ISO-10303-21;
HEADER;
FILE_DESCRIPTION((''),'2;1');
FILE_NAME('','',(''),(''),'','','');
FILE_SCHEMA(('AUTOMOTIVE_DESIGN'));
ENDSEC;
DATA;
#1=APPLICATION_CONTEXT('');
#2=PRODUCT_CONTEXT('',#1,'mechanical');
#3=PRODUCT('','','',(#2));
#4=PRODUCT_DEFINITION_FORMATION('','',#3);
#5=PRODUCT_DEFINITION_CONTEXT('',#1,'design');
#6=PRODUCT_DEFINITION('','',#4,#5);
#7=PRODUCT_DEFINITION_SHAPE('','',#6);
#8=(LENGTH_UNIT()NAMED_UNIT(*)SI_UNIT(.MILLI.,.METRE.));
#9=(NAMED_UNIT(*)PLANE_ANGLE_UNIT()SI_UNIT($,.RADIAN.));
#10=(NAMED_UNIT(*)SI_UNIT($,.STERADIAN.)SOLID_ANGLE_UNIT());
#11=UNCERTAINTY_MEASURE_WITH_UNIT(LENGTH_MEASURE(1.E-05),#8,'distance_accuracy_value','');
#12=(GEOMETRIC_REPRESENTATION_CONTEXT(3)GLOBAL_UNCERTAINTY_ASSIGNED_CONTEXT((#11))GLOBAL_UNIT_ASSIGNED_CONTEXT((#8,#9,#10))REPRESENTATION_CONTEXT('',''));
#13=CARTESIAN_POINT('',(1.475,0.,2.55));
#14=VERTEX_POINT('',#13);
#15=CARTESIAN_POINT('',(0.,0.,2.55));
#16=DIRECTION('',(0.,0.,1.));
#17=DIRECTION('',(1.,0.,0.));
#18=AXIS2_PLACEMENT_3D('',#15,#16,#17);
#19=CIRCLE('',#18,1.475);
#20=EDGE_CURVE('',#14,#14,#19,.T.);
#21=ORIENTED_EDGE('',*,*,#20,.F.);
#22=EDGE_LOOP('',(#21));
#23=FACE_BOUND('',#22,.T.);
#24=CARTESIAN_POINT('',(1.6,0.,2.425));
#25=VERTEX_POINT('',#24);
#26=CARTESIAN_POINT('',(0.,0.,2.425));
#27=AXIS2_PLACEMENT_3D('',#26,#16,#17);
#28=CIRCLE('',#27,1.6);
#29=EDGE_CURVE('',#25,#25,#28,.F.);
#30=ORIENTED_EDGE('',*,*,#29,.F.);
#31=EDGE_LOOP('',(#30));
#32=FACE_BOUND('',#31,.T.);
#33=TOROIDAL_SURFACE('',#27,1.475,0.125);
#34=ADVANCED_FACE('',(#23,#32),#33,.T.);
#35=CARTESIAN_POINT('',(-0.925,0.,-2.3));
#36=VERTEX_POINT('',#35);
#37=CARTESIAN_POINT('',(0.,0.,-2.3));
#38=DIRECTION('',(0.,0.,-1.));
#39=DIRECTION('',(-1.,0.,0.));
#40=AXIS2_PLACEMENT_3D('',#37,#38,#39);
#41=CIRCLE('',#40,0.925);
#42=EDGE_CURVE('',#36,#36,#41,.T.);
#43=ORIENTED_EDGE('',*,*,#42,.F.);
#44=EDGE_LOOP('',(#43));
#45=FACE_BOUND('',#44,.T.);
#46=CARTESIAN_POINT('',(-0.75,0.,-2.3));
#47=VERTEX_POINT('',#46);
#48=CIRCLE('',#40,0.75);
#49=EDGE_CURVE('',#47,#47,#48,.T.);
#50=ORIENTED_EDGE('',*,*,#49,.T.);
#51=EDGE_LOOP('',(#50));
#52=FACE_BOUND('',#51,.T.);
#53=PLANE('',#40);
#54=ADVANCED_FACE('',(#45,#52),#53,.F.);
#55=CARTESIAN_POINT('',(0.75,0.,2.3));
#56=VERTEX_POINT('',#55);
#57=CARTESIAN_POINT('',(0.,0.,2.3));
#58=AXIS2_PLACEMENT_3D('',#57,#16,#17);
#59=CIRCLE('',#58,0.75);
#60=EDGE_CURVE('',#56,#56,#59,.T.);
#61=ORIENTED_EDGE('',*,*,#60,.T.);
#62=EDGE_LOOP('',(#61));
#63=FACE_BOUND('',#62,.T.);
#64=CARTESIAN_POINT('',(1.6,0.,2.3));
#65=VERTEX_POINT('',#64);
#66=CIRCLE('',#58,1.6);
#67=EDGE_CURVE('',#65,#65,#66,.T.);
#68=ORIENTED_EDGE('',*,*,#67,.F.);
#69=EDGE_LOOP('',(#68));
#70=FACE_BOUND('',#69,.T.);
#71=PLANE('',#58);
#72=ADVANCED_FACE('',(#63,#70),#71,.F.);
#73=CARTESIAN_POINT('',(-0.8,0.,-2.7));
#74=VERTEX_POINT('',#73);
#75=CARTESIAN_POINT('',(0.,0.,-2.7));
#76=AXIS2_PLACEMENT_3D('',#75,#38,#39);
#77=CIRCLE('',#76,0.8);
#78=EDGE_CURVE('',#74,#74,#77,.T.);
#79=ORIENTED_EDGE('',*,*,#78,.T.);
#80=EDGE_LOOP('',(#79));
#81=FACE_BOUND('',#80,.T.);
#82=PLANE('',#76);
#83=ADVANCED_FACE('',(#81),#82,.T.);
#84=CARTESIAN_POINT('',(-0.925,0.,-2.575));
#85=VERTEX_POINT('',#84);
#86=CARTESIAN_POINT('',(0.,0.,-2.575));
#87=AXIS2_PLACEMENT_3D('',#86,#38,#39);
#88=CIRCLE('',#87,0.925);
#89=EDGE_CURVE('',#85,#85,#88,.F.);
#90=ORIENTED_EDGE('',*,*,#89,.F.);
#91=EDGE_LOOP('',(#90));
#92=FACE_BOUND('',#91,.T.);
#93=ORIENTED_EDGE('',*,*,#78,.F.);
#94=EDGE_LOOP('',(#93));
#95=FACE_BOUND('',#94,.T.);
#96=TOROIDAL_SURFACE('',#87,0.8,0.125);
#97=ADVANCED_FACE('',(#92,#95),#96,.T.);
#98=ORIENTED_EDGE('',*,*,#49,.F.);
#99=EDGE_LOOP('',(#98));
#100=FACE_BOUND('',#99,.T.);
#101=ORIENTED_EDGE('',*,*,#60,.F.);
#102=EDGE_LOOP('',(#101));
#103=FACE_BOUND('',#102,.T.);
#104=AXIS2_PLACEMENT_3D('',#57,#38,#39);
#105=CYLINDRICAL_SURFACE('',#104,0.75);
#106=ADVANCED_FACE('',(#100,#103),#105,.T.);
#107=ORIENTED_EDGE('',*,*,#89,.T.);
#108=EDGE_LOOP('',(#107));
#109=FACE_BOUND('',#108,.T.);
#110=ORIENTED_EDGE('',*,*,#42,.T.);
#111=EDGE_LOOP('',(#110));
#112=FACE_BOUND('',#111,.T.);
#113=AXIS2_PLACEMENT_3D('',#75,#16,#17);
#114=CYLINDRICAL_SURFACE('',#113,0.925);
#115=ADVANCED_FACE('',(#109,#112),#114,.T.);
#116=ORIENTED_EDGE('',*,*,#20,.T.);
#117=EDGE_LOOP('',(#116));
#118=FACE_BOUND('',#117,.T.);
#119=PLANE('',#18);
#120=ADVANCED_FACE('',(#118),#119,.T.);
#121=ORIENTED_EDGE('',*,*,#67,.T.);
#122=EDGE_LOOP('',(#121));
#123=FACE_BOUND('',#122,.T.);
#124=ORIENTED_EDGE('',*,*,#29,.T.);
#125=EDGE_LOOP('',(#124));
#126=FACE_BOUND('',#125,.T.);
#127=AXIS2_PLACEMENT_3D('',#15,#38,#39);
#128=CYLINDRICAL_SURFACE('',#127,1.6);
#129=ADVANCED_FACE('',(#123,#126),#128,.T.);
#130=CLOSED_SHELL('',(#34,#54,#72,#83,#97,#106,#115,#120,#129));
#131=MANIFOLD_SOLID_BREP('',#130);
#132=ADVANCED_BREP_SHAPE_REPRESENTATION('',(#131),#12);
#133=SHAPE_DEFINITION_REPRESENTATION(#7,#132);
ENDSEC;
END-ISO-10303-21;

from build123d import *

# Parameters (mm, degrees)
SKETCH1_R      = 0.75
EXTRUDE1_DEPTH = 2.3
SKETCH2_R      = 1.6
EXTRUDE2_DEPTH = 0.25
SKETCH3_R      = 0.925
EXTRUDE3_DEPTH = 0.4
FILLET1_R      = 0.125


with BuildPart() as part:
    # Sketch1 → Extrude1 (new body, symmetric)
    with BuildSketch(Plane.XY):
        Circle(SKETCH1_R)
    extrude(amount=EXTRUDE1_DEPTH, both=True)

    # Sketch2 → Extrude2 (add)
    with BuildSketch(Plane.XY.offset(2.3)):
        Circle(SKETCH2_R)
    extrude(amount=EXTRUDE2_DEPTH)

    # Sketch3 → Extrude3 (add)
    with BuildSketch(Plane(origin=(0, 0, -2.3), x_dir=(-1, 0, 0), z_dir=(0, 0, -1))):
        Circle(SKETCH3_R)
    extrude(amount=EXTRUDE3_DEPTH)

    # Fillet1
    fillet1_edges = [part.edges().sort_by_distance(p)[0] for p in [
        (-1.6, 0, 2.55),
        (0.925, 0, -2.7),
    ]]
    fillet(fillet1_edges, radius=FILLET1_R)


solid = part.part
